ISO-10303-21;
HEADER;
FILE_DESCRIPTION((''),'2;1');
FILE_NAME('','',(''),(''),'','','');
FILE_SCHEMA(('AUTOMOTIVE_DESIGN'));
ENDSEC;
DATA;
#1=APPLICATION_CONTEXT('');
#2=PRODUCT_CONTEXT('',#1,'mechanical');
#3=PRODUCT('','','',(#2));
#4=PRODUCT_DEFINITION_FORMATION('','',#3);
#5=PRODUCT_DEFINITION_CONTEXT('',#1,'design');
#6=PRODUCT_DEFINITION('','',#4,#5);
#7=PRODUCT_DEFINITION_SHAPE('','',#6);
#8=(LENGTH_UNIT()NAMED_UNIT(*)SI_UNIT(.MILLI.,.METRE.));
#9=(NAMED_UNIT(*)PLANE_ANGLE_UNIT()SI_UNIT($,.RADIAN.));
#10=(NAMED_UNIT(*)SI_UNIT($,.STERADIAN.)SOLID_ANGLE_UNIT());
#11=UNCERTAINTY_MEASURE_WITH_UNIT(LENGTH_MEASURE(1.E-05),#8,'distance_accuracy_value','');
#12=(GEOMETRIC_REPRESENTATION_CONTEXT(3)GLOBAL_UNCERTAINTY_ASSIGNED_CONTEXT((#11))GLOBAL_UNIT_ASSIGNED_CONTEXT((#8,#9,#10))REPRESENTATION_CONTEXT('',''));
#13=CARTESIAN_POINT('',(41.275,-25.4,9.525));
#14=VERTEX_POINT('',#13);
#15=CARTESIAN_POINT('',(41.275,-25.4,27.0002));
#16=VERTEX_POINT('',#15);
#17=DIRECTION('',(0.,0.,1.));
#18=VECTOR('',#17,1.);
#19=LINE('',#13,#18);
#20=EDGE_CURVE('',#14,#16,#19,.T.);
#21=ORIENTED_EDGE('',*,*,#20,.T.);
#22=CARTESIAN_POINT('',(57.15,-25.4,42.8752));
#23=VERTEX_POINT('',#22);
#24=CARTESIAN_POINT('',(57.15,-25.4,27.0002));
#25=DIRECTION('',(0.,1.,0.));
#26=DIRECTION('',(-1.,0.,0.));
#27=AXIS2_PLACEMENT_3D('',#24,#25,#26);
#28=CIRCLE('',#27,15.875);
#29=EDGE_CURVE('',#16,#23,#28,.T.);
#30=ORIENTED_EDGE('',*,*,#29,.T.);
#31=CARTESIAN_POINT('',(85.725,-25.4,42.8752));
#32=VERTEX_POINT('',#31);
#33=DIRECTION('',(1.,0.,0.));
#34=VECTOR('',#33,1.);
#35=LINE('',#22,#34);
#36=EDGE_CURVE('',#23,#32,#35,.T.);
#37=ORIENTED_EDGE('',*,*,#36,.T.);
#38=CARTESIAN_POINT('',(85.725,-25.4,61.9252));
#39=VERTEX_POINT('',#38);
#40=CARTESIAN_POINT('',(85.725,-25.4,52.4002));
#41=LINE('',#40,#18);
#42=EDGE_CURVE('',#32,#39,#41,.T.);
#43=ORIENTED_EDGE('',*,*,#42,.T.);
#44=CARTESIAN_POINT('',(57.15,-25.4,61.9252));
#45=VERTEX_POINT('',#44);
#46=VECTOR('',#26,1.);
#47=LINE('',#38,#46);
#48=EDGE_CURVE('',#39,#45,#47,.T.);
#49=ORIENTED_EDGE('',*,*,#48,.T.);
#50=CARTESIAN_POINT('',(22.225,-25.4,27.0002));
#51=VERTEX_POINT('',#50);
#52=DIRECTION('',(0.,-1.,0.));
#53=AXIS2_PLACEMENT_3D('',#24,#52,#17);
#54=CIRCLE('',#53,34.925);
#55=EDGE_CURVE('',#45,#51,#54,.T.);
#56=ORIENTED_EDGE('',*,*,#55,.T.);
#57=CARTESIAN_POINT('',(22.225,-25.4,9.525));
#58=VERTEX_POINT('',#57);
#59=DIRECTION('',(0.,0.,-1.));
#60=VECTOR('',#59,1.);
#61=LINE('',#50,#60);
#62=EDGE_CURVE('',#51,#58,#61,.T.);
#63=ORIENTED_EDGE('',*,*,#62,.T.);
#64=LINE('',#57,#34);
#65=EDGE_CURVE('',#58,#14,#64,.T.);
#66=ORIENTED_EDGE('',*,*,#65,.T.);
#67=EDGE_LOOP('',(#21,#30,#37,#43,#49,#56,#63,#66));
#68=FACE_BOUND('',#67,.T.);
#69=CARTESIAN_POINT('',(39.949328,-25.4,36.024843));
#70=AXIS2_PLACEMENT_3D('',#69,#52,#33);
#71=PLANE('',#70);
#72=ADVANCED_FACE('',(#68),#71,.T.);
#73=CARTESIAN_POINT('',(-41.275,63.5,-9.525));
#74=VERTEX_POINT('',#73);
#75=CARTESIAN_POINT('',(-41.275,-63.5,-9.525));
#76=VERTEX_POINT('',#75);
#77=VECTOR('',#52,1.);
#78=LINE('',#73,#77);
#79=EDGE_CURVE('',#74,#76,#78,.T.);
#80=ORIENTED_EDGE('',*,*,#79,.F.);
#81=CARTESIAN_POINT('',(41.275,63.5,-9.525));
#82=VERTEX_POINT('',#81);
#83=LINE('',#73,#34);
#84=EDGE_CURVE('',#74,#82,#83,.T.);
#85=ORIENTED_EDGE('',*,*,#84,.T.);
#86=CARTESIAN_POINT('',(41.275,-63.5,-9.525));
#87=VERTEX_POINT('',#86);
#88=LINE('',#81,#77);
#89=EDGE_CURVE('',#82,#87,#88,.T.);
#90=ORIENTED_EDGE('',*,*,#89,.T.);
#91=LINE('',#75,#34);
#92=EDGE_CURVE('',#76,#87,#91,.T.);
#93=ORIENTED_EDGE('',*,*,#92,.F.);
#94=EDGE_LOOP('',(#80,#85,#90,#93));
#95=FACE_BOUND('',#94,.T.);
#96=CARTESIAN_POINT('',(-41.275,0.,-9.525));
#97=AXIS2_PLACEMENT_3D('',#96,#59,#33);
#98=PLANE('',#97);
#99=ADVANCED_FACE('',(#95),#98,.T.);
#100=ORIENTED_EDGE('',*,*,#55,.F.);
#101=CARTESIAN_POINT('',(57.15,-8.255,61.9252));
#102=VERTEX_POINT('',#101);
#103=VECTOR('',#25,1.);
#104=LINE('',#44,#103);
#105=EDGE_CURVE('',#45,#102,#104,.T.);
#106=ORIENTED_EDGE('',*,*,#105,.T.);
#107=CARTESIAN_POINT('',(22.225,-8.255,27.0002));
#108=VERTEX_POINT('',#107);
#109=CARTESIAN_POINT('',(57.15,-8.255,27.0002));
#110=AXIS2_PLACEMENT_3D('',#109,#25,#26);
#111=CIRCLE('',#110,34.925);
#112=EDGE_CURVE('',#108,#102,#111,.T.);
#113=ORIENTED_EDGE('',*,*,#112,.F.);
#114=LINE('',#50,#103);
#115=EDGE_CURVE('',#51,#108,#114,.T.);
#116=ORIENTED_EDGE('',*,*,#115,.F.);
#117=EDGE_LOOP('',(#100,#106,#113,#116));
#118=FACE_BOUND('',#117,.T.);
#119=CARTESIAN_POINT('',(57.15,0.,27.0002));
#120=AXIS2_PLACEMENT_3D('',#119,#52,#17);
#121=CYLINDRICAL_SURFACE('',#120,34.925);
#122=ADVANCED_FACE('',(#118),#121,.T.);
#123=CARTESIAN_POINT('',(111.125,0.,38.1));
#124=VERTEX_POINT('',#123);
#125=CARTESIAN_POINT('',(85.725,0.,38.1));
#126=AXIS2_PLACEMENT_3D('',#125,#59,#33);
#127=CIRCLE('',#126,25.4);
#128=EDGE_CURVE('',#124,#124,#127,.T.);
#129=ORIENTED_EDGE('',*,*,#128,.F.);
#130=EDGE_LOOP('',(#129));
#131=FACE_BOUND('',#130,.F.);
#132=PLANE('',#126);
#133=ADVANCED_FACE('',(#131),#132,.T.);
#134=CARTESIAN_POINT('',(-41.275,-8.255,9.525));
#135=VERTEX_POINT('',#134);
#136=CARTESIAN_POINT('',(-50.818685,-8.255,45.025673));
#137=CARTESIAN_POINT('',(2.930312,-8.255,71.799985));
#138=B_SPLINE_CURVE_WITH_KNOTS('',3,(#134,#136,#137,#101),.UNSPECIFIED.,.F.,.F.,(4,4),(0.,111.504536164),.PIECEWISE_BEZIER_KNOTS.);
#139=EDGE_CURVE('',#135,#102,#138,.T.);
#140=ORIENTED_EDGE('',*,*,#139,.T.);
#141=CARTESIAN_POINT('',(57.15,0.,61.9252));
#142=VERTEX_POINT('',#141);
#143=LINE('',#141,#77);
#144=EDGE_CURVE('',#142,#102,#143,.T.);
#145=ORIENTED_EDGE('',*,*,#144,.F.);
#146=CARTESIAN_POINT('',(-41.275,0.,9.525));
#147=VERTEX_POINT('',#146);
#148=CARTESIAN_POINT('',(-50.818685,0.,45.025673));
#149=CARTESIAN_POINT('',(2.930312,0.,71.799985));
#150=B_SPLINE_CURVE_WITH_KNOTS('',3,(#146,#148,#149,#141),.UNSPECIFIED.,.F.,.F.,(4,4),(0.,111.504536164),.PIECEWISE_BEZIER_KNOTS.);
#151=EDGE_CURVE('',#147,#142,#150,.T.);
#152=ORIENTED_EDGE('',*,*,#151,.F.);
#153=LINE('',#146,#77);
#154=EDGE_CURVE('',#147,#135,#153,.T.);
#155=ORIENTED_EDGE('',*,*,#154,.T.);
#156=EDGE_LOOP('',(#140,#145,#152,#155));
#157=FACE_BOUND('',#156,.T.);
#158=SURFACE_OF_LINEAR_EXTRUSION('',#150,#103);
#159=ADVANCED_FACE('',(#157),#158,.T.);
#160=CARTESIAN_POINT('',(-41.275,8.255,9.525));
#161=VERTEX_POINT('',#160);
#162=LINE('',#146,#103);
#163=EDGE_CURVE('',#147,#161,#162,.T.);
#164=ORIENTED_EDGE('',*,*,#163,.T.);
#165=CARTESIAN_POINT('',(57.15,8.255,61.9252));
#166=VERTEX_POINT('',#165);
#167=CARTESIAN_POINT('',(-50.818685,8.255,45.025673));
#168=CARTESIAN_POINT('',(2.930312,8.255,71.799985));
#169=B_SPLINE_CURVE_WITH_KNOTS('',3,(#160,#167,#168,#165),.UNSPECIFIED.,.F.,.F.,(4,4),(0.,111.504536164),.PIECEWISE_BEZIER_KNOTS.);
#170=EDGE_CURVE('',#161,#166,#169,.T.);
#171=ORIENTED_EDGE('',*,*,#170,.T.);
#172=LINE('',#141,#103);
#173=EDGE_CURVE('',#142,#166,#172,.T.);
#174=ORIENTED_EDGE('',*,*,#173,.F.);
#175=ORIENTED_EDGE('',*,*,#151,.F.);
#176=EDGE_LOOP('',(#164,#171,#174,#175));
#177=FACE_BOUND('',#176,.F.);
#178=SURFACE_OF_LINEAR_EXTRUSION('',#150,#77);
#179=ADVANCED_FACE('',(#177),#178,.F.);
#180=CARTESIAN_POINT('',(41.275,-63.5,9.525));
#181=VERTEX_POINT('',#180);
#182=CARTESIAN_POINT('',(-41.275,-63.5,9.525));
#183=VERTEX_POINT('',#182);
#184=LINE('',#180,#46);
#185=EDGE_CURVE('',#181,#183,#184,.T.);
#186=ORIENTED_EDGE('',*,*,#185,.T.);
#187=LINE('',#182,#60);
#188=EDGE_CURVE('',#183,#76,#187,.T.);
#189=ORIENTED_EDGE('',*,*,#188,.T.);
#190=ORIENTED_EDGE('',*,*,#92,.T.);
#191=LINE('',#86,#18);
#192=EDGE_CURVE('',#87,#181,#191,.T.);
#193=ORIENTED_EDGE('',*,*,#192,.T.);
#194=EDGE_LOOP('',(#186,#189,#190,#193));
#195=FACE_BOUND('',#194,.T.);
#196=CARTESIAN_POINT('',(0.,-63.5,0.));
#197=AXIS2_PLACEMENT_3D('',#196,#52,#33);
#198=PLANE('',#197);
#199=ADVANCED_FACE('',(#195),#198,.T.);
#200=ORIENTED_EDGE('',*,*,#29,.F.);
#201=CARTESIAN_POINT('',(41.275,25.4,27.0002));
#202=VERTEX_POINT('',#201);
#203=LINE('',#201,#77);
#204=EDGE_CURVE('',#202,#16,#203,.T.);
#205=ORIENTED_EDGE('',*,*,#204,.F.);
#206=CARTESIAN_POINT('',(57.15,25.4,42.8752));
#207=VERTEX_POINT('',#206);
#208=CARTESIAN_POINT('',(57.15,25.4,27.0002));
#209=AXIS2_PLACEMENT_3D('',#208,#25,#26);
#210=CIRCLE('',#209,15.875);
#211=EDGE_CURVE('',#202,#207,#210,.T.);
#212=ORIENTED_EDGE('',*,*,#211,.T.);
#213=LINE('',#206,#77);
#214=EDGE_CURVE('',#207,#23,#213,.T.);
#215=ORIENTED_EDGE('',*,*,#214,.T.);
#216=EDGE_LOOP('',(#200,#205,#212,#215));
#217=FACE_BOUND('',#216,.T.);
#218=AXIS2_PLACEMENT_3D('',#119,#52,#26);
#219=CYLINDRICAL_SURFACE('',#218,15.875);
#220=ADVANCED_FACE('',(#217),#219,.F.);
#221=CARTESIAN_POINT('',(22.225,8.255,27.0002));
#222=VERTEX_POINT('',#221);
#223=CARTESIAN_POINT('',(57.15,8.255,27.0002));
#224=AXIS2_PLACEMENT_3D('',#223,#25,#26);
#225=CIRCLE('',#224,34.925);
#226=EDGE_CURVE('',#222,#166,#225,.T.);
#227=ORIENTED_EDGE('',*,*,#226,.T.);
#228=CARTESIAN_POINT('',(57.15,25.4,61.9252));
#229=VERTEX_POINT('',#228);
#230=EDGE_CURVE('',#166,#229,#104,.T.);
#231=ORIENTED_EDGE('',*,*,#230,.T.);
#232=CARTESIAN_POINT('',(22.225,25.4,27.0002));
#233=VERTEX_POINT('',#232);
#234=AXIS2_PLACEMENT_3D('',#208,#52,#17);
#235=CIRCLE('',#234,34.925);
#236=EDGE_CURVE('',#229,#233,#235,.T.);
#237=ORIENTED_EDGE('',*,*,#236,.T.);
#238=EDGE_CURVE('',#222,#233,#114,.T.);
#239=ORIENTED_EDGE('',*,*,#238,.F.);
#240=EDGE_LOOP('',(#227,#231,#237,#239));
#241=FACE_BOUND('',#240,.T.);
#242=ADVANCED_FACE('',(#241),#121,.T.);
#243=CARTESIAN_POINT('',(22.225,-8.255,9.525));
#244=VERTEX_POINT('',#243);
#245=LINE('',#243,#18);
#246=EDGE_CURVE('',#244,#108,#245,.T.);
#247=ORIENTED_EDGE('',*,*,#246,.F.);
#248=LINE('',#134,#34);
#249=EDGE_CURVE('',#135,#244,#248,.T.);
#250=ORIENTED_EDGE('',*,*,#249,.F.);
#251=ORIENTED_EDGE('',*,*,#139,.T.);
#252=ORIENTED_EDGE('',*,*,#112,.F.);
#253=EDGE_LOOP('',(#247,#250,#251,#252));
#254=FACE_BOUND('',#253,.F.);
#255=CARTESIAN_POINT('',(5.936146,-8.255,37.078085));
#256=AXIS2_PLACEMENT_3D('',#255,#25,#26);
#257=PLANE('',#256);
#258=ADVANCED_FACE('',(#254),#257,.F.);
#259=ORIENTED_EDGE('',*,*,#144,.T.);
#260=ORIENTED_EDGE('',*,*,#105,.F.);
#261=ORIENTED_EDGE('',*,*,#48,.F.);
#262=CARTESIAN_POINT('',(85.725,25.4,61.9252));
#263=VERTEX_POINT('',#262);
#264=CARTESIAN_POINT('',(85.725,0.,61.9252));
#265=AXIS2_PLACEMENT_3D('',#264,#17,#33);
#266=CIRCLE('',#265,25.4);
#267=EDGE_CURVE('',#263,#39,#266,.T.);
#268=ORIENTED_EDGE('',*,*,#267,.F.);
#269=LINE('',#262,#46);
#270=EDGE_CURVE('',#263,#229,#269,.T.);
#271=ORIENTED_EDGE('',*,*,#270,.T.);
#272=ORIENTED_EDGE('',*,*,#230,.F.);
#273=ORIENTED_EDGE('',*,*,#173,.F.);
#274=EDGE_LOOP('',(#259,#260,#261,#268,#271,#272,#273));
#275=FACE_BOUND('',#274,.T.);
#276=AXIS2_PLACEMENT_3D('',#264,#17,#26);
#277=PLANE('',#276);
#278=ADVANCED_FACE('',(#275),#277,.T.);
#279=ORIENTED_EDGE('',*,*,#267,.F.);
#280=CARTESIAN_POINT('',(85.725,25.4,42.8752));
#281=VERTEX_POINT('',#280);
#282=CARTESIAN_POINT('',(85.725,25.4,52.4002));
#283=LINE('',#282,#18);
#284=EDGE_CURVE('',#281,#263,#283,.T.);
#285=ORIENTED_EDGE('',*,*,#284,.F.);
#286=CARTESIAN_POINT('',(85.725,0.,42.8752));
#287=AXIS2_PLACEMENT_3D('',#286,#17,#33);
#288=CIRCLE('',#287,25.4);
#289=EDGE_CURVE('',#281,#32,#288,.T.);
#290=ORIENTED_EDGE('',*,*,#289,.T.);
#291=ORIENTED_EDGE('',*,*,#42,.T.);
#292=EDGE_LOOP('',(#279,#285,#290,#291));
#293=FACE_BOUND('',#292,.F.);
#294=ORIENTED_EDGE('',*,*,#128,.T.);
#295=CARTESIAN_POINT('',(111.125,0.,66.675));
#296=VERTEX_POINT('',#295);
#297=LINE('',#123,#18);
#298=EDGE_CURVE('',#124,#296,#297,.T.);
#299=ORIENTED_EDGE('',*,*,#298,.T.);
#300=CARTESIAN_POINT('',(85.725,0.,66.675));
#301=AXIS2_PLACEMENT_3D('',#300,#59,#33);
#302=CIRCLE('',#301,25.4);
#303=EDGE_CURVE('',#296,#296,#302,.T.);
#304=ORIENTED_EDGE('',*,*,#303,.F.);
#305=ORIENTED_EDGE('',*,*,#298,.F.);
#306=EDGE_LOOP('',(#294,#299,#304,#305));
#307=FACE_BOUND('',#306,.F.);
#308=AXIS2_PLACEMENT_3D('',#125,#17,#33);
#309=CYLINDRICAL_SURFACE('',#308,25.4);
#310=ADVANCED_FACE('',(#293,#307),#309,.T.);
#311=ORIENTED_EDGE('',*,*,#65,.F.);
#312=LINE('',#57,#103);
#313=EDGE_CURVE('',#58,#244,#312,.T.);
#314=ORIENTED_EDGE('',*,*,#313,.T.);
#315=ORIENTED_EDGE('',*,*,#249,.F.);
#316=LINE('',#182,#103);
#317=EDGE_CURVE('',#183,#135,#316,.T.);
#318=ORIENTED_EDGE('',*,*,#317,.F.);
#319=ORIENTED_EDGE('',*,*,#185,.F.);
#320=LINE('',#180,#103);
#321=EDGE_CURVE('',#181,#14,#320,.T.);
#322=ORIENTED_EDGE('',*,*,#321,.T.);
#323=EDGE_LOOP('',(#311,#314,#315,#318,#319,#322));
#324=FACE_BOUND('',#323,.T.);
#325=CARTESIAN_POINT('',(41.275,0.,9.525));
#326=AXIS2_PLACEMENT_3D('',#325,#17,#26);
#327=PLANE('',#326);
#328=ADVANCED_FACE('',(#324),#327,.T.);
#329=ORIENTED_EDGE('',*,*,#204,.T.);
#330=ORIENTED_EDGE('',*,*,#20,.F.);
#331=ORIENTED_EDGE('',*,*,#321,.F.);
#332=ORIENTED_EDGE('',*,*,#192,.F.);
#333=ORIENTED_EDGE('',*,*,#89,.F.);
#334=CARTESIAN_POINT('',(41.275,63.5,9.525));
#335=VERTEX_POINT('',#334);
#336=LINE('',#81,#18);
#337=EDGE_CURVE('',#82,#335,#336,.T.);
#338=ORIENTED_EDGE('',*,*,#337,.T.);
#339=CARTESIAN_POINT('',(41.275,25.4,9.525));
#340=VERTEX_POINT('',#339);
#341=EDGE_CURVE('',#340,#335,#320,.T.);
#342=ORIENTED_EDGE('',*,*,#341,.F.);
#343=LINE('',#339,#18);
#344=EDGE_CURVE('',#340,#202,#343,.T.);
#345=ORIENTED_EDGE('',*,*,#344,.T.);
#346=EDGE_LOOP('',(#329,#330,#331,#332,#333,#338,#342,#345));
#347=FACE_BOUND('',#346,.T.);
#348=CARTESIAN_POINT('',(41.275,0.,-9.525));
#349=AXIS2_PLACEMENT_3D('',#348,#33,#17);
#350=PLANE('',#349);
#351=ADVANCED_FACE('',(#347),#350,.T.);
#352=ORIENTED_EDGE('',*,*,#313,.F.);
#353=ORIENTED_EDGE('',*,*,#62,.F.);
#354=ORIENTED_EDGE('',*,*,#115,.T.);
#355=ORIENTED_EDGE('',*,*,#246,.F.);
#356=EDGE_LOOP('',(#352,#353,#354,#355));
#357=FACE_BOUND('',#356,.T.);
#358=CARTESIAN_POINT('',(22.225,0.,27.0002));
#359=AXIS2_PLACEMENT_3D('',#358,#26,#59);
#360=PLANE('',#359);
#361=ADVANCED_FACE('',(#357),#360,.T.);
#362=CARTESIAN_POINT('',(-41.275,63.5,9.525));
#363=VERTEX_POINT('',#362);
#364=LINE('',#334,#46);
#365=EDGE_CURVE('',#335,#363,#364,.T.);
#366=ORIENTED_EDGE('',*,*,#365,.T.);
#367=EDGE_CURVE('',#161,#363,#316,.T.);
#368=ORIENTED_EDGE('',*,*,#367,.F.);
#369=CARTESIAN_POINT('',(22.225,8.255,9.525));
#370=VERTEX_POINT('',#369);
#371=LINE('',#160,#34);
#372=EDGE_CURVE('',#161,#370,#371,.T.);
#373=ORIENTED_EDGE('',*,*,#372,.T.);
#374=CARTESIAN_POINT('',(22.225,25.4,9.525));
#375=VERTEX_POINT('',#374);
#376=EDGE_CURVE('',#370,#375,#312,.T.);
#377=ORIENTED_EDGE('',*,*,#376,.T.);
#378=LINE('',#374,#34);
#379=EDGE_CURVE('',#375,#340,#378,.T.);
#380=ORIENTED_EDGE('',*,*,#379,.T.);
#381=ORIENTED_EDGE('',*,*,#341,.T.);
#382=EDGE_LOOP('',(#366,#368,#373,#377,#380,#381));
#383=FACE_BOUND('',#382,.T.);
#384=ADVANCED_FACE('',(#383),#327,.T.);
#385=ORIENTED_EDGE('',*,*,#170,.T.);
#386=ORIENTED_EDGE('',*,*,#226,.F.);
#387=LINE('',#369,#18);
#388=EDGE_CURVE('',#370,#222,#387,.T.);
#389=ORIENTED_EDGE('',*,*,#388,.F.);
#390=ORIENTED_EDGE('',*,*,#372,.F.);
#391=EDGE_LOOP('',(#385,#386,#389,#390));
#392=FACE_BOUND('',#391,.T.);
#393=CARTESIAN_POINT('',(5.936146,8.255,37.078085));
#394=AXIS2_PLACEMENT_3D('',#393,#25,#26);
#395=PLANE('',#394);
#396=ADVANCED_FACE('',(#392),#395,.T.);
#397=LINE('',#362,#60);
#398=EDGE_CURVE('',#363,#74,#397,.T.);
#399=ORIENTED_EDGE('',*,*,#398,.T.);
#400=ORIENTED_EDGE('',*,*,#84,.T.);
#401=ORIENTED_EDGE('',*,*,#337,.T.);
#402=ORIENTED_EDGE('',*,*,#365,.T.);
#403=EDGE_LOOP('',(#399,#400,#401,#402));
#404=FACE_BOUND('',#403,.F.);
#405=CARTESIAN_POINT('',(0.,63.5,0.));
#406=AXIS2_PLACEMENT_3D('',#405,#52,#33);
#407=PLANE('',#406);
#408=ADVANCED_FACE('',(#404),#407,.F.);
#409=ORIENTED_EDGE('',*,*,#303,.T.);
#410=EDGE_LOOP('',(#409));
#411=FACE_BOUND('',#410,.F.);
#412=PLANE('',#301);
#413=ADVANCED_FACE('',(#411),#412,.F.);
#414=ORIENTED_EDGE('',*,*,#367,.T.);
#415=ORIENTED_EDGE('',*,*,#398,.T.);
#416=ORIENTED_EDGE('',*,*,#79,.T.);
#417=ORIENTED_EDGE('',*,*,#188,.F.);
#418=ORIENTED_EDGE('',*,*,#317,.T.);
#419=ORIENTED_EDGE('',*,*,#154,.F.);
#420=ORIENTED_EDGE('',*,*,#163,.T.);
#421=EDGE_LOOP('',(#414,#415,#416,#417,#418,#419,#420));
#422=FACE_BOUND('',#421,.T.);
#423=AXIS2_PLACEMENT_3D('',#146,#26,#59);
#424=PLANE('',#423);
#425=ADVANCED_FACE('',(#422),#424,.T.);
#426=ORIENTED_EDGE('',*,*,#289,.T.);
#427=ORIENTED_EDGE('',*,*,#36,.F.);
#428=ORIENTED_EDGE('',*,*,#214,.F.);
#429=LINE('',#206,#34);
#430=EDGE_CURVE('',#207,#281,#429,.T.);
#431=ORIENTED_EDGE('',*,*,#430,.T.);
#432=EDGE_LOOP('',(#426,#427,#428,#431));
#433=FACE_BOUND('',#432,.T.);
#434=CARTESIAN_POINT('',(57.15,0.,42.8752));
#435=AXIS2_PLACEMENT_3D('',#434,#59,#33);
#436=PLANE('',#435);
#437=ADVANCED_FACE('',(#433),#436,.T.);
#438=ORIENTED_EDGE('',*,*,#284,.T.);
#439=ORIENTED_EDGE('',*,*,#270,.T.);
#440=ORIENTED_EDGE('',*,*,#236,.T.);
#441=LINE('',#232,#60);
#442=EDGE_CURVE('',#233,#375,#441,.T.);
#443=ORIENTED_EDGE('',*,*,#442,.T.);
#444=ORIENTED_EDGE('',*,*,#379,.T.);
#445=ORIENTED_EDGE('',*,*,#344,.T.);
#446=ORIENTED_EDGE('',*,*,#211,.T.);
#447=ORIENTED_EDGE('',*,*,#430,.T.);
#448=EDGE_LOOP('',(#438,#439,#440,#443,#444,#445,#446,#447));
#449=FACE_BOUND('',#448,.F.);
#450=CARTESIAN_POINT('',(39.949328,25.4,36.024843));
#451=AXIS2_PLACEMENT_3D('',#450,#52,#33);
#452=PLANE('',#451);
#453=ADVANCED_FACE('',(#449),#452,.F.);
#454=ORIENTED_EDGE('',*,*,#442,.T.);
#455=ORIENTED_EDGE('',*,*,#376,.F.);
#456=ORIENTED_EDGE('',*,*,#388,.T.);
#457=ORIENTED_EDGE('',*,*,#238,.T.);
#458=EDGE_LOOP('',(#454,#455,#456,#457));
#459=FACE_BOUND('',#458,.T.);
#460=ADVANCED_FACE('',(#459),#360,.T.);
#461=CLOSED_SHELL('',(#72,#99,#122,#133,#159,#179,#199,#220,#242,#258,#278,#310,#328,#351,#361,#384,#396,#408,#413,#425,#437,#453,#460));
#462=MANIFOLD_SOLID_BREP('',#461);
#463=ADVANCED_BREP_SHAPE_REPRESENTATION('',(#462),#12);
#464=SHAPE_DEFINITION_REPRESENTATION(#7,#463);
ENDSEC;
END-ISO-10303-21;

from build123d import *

# Parameters (mm, degrees)
F1_DEPTH = 63.5
F0_W     = 25.4
F0_H     = 19.05
F2_DEPTH = 25.4
F3_DEPTH = 8.255


with BuildPart() as f1:
    # F0 (on Front) → F1 (new body, symmetric)
    with BuildSketch(Plane.XZ):
        Polygon((-41.275, 9.525), (-41.275, -9.525), (41.275, -9.525), (41.275, 9.525), (22.225, 9.525), align=None)
    extrude(amount=F1_DEPTH, both=True)

    # F0 (on Front) → F2 (join, symmetric)
    with BuildSketch(Plane.XZ):
        with BuildLine():
            Line((22.225, 9.525), (41.275, 9.525))
            Line((41.275, 9.525), (41.275, 27.0002))
            ThreePointArc((41.275, 27.0002), (45.9246798487, 38.2255201513), (57.15, 42.8752))
            Line((57.15, 42.8752), (60.325, 42.8752))
            Line((60.325, 42.8752), (60.325, 61.9252))
            Line((60.325, 61.9252), (57.15, 61.9252))
            ThreePointArc((57.15, 61.9252), (32.4542956671, 51.6959043329), (22.225, 27.0002))
            Line((22.225, 27.0002), (22.225, 9.525))
        make_face()
        with Locations((73.025, 52.4002)):
            Rectangle(F0_W, F0_H)
    extrude(amount=F2_DEPTH, both=True)

    # F0 (on Front) → F3 (join, symmetric)
    with BuildSketch(Plane.XZ):
        with BuildLine():
            add(Edge.make_bspline(
                [(-41.275, 9.525), (-50.8186854422, 45.0256727636), (2.9303120675, 71.7999846045), (57.15, 61.9252)],
                knots=[0, 0, 0, 0, 111.5045361635, 111.5045361635, 111.5045361635, 111.5045361635], degree=3))
            Line((-41.275, 9.525), (22.225, 9.525))
            Line((22.225, 9.525), (22.225, 27.0002))
            ThreePointArc((22.225, 27.0002), (32.4542956671, 51.6959043329), (57.15, 61.9252))
        make_face()
    extrude(amount=F3_DEPTH, both=True)

    # F0 (on Front) → F4 (revolve)
    with BuildSketch(Plane.XZ):
        Polygon((85.725, 66.675), (85.725, 61.9252), (85.725, 42.8752), (85.725, 38.1), (111.125, 38.1), (111.125, 66.675), align=None)
    revolve(axis=Axis((85.725, 0, 52.3875), (0, 0, -1)))


solid = f1.part
